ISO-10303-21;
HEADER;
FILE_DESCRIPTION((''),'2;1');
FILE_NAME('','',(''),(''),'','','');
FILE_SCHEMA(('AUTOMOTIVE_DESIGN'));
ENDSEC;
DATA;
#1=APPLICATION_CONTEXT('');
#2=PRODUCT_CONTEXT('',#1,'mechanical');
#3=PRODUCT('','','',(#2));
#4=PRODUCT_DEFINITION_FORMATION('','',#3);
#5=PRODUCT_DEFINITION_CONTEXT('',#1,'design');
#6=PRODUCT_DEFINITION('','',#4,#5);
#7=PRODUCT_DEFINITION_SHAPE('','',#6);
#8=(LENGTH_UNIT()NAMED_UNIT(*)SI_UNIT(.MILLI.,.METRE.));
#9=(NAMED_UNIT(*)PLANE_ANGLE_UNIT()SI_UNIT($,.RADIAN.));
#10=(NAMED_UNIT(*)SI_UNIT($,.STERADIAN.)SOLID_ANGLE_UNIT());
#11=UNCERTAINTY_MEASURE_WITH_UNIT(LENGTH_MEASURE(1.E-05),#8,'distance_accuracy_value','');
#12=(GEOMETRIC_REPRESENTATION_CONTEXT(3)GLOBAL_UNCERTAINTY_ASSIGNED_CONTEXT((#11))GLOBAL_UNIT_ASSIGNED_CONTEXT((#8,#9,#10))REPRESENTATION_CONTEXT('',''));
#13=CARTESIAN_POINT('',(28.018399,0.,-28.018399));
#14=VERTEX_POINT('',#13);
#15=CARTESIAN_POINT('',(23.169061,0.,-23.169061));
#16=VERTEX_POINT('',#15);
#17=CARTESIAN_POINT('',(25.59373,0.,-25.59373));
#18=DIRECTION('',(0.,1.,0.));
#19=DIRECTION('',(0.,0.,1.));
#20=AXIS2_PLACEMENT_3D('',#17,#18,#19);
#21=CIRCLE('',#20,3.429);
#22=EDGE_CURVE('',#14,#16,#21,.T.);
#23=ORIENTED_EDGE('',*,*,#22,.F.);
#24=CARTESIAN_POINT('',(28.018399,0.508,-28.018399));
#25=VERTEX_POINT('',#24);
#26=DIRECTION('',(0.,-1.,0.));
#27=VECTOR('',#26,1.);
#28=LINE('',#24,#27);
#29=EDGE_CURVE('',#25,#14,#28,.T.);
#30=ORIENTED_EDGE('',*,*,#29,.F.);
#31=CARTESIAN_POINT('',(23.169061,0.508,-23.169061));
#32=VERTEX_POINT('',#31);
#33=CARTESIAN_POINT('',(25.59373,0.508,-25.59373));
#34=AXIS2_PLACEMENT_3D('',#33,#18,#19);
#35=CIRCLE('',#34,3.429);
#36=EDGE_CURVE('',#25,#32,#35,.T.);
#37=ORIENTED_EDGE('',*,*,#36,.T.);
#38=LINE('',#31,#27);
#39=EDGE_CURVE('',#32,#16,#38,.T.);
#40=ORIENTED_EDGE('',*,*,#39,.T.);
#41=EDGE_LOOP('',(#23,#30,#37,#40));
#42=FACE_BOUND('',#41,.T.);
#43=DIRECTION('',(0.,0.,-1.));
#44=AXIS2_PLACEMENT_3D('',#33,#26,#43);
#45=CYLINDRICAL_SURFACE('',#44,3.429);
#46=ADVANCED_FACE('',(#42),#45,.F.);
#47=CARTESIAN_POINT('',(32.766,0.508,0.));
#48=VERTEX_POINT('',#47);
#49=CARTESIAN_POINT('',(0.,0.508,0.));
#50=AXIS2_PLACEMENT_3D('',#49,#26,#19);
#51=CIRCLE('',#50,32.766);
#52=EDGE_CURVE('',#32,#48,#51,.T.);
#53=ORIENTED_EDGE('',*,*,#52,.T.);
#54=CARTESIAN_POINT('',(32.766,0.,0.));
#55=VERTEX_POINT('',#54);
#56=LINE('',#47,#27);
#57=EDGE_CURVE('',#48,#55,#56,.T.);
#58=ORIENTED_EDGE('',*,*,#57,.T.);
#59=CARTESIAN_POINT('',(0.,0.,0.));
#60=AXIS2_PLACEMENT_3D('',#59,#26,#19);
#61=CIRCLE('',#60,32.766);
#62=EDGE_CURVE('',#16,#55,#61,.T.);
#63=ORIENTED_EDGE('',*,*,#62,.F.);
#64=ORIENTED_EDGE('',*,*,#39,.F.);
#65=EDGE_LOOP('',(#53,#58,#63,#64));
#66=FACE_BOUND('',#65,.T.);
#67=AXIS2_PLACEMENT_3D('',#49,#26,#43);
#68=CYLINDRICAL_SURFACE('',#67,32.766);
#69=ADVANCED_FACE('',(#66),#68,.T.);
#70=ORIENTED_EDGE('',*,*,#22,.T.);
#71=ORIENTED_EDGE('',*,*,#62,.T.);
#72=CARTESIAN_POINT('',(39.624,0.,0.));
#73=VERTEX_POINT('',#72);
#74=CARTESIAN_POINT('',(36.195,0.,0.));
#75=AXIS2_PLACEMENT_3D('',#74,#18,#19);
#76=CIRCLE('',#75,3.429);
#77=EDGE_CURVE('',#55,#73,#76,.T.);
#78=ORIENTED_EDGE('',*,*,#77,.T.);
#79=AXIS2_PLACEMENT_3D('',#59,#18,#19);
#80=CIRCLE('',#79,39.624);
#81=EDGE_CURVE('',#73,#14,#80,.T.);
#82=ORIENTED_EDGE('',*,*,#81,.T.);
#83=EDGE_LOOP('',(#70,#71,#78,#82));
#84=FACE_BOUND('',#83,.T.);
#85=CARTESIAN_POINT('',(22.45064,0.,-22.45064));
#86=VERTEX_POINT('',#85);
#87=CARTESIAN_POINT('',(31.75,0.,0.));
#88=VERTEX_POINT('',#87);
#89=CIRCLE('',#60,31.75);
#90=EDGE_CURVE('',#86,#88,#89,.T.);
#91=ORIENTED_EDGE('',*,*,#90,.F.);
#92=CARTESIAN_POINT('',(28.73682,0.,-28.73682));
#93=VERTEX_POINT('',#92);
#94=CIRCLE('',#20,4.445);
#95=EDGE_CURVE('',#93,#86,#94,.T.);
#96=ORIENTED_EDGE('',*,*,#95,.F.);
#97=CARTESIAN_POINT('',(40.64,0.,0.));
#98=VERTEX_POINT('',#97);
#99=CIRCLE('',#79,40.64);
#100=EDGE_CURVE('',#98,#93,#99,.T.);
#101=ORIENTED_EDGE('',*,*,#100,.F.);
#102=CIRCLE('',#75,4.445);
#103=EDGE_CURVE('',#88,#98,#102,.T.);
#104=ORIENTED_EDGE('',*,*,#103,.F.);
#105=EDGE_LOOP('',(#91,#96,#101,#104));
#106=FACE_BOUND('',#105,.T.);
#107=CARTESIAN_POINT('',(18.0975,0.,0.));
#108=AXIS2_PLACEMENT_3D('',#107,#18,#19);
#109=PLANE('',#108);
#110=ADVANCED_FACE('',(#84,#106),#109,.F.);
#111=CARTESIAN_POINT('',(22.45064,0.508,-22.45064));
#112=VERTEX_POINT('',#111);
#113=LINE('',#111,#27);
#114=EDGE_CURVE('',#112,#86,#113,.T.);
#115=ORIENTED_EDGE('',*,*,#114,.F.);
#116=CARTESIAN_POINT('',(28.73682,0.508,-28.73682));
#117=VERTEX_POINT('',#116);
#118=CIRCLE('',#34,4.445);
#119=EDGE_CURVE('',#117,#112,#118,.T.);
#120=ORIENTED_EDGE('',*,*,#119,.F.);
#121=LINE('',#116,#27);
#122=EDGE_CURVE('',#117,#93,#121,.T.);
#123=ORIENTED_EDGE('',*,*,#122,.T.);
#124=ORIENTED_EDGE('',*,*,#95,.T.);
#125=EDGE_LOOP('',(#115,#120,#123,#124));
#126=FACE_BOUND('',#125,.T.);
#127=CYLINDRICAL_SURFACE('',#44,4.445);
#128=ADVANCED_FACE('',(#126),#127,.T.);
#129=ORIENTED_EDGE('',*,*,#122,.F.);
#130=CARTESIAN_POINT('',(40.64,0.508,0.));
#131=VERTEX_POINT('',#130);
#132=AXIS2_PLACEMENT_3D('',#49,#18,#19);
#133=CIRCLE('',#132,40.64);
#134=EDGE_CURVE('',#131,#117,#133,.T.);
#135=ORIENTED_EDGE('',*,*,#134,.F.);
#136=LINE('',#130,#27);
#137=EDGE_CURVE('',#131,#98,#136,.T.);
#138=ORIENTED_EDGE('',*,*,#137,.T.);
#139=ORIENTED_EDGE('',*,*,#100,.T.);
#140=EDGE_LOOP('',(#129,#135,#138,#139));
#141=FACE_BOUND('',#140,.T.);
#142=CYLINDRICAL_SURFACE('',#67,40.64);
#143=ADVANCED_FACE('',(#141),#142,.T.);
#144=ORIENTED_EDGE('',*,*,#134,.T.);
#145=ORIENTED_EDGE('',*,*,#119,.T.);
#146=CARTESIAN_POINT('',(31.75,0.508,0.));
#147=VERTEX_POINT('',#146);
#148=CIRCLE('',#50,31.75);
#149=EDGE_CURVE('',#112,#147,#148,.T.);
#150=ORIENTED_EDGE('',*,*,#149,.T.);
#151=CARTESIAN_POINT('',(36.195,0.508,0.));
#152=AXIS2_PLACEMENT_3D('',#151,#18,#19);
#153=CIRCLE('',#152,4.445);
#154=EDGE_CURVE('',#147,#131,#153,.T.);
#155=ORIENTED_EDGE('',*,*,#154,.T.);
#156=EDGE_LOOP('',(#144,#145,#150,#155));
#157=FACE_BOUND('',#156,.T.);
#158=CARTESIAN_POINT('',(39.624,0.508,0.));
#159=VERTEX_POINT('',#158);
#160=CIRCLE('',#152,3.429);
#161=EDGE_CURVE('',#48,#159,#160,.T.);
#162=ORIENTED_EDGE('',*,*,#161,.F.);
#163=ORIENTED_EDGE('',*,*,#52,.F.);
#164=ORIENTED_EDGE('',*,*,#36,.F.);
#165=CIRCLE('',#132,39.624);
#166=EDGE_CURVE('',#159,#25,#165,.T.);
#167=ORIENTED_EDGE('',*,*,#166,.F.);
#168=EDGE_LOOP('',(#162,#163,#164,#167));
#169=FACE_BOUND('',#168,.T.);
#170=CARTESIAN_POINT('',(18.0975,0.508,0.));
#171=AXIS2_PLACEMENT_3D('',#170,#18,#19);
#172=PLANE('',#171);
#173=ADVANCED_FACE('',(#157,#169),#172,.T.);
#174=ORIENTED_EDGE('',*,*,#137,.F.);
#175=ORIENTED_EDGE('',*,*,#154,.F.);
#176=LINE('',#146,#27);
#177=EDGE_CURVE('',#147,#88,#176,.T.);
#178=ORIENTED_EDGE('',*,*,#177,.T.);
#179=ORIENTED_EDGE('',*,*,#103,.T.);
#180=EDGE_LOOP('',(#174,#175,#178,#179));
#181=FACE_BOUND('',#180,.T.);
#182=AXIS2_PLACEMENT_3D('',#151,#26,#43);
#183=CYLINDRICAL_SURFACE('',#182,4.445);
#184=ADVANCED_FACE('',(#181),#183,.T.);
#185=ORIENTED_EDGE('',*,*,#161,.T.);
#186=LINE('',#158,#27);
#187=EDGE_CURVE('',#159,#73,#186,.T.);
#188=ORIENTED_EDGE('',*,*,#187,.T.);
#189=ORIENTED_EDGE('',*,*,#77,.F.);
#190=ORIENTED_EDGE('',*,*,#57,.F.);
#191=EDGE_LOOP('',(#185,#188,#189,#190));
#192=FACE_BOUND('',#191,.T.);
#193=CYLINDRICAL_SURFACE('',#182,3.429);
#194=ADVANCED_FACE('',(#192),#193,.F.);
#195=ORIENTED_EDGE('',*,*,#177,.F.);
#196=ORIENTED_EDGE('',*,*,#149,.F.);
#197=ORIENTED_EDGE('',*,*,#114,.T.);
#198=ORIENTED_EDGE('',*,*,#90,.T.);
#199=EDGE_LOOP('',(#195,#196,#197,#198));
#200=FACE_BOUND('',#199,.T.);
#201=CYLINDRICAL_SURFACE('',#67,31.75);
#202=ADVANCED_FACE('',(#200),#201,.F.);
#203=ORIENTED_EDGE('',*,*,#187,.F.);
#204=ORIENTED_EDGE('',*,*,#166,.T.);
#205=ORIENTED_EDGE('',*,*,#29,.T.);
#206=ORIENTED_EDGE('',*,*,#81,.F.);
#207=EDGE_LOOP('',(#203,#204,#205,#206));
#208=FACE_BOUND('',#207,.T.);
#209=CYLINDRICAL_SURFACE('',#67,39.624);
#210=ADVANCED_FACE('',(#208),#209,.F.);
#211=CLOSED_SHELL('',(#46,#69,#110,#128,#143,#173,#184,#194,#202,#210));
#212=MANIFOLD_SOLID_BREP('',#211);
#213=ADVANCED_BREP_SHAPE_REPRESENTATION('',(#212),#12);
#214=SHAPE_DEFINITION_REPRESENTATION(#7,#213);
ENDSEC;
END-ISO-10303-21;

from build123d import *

# Parameters (mm, degrees)
BOSS_EXTRUDE1_DEPTH = 0.508


with BuildPart() as part:
    # Sketch1 → Boss-Extrude1 (new body)
    with BuildSketch(Plane(origin=(0, 0, 0), x_dir=(1, 0, 0), z_dir=(0, 1, 0))):
        with BuildLine():
            ThreePointArc((40.64, 0), (37.546464201, 15.552254691), (28.736819587, 28.736819587))
            ThreePointArc((28.736819587, 28.736819587), (22.450640303, 28.736819587), (22.450640303, 22.450640303))
            ThreePointArc((22.450640303, 22.450640303), (29.333175157, 12.150198978), (31.75, 0))
            ThreePointArc((31.75, 0), (36.195, -4.445), (40.64, 0))
        make_face()
        with BuildLine():
            ThreePointArc((39.624, 0), (36.607802596, 15.163448324), (28.018399098, 28.018399098))
            ThreePointArc((28.018399098, 28.018399098), (23.169060792, 28.018399098), (23.169060792, 23.169060792))
            ThreePointArc((23.169060792, 23.169060792), (30.271836762, 12.539005345), (32.766, 0))
            ThreePointArc((32.766, 0), (36.195, -3.429), (39.624, 0))
        make_face(mode=Mode.SUBTRACT)
    extrude(amount=BOSS_EXTRUDE1_DEPTH)


solid = part.part
